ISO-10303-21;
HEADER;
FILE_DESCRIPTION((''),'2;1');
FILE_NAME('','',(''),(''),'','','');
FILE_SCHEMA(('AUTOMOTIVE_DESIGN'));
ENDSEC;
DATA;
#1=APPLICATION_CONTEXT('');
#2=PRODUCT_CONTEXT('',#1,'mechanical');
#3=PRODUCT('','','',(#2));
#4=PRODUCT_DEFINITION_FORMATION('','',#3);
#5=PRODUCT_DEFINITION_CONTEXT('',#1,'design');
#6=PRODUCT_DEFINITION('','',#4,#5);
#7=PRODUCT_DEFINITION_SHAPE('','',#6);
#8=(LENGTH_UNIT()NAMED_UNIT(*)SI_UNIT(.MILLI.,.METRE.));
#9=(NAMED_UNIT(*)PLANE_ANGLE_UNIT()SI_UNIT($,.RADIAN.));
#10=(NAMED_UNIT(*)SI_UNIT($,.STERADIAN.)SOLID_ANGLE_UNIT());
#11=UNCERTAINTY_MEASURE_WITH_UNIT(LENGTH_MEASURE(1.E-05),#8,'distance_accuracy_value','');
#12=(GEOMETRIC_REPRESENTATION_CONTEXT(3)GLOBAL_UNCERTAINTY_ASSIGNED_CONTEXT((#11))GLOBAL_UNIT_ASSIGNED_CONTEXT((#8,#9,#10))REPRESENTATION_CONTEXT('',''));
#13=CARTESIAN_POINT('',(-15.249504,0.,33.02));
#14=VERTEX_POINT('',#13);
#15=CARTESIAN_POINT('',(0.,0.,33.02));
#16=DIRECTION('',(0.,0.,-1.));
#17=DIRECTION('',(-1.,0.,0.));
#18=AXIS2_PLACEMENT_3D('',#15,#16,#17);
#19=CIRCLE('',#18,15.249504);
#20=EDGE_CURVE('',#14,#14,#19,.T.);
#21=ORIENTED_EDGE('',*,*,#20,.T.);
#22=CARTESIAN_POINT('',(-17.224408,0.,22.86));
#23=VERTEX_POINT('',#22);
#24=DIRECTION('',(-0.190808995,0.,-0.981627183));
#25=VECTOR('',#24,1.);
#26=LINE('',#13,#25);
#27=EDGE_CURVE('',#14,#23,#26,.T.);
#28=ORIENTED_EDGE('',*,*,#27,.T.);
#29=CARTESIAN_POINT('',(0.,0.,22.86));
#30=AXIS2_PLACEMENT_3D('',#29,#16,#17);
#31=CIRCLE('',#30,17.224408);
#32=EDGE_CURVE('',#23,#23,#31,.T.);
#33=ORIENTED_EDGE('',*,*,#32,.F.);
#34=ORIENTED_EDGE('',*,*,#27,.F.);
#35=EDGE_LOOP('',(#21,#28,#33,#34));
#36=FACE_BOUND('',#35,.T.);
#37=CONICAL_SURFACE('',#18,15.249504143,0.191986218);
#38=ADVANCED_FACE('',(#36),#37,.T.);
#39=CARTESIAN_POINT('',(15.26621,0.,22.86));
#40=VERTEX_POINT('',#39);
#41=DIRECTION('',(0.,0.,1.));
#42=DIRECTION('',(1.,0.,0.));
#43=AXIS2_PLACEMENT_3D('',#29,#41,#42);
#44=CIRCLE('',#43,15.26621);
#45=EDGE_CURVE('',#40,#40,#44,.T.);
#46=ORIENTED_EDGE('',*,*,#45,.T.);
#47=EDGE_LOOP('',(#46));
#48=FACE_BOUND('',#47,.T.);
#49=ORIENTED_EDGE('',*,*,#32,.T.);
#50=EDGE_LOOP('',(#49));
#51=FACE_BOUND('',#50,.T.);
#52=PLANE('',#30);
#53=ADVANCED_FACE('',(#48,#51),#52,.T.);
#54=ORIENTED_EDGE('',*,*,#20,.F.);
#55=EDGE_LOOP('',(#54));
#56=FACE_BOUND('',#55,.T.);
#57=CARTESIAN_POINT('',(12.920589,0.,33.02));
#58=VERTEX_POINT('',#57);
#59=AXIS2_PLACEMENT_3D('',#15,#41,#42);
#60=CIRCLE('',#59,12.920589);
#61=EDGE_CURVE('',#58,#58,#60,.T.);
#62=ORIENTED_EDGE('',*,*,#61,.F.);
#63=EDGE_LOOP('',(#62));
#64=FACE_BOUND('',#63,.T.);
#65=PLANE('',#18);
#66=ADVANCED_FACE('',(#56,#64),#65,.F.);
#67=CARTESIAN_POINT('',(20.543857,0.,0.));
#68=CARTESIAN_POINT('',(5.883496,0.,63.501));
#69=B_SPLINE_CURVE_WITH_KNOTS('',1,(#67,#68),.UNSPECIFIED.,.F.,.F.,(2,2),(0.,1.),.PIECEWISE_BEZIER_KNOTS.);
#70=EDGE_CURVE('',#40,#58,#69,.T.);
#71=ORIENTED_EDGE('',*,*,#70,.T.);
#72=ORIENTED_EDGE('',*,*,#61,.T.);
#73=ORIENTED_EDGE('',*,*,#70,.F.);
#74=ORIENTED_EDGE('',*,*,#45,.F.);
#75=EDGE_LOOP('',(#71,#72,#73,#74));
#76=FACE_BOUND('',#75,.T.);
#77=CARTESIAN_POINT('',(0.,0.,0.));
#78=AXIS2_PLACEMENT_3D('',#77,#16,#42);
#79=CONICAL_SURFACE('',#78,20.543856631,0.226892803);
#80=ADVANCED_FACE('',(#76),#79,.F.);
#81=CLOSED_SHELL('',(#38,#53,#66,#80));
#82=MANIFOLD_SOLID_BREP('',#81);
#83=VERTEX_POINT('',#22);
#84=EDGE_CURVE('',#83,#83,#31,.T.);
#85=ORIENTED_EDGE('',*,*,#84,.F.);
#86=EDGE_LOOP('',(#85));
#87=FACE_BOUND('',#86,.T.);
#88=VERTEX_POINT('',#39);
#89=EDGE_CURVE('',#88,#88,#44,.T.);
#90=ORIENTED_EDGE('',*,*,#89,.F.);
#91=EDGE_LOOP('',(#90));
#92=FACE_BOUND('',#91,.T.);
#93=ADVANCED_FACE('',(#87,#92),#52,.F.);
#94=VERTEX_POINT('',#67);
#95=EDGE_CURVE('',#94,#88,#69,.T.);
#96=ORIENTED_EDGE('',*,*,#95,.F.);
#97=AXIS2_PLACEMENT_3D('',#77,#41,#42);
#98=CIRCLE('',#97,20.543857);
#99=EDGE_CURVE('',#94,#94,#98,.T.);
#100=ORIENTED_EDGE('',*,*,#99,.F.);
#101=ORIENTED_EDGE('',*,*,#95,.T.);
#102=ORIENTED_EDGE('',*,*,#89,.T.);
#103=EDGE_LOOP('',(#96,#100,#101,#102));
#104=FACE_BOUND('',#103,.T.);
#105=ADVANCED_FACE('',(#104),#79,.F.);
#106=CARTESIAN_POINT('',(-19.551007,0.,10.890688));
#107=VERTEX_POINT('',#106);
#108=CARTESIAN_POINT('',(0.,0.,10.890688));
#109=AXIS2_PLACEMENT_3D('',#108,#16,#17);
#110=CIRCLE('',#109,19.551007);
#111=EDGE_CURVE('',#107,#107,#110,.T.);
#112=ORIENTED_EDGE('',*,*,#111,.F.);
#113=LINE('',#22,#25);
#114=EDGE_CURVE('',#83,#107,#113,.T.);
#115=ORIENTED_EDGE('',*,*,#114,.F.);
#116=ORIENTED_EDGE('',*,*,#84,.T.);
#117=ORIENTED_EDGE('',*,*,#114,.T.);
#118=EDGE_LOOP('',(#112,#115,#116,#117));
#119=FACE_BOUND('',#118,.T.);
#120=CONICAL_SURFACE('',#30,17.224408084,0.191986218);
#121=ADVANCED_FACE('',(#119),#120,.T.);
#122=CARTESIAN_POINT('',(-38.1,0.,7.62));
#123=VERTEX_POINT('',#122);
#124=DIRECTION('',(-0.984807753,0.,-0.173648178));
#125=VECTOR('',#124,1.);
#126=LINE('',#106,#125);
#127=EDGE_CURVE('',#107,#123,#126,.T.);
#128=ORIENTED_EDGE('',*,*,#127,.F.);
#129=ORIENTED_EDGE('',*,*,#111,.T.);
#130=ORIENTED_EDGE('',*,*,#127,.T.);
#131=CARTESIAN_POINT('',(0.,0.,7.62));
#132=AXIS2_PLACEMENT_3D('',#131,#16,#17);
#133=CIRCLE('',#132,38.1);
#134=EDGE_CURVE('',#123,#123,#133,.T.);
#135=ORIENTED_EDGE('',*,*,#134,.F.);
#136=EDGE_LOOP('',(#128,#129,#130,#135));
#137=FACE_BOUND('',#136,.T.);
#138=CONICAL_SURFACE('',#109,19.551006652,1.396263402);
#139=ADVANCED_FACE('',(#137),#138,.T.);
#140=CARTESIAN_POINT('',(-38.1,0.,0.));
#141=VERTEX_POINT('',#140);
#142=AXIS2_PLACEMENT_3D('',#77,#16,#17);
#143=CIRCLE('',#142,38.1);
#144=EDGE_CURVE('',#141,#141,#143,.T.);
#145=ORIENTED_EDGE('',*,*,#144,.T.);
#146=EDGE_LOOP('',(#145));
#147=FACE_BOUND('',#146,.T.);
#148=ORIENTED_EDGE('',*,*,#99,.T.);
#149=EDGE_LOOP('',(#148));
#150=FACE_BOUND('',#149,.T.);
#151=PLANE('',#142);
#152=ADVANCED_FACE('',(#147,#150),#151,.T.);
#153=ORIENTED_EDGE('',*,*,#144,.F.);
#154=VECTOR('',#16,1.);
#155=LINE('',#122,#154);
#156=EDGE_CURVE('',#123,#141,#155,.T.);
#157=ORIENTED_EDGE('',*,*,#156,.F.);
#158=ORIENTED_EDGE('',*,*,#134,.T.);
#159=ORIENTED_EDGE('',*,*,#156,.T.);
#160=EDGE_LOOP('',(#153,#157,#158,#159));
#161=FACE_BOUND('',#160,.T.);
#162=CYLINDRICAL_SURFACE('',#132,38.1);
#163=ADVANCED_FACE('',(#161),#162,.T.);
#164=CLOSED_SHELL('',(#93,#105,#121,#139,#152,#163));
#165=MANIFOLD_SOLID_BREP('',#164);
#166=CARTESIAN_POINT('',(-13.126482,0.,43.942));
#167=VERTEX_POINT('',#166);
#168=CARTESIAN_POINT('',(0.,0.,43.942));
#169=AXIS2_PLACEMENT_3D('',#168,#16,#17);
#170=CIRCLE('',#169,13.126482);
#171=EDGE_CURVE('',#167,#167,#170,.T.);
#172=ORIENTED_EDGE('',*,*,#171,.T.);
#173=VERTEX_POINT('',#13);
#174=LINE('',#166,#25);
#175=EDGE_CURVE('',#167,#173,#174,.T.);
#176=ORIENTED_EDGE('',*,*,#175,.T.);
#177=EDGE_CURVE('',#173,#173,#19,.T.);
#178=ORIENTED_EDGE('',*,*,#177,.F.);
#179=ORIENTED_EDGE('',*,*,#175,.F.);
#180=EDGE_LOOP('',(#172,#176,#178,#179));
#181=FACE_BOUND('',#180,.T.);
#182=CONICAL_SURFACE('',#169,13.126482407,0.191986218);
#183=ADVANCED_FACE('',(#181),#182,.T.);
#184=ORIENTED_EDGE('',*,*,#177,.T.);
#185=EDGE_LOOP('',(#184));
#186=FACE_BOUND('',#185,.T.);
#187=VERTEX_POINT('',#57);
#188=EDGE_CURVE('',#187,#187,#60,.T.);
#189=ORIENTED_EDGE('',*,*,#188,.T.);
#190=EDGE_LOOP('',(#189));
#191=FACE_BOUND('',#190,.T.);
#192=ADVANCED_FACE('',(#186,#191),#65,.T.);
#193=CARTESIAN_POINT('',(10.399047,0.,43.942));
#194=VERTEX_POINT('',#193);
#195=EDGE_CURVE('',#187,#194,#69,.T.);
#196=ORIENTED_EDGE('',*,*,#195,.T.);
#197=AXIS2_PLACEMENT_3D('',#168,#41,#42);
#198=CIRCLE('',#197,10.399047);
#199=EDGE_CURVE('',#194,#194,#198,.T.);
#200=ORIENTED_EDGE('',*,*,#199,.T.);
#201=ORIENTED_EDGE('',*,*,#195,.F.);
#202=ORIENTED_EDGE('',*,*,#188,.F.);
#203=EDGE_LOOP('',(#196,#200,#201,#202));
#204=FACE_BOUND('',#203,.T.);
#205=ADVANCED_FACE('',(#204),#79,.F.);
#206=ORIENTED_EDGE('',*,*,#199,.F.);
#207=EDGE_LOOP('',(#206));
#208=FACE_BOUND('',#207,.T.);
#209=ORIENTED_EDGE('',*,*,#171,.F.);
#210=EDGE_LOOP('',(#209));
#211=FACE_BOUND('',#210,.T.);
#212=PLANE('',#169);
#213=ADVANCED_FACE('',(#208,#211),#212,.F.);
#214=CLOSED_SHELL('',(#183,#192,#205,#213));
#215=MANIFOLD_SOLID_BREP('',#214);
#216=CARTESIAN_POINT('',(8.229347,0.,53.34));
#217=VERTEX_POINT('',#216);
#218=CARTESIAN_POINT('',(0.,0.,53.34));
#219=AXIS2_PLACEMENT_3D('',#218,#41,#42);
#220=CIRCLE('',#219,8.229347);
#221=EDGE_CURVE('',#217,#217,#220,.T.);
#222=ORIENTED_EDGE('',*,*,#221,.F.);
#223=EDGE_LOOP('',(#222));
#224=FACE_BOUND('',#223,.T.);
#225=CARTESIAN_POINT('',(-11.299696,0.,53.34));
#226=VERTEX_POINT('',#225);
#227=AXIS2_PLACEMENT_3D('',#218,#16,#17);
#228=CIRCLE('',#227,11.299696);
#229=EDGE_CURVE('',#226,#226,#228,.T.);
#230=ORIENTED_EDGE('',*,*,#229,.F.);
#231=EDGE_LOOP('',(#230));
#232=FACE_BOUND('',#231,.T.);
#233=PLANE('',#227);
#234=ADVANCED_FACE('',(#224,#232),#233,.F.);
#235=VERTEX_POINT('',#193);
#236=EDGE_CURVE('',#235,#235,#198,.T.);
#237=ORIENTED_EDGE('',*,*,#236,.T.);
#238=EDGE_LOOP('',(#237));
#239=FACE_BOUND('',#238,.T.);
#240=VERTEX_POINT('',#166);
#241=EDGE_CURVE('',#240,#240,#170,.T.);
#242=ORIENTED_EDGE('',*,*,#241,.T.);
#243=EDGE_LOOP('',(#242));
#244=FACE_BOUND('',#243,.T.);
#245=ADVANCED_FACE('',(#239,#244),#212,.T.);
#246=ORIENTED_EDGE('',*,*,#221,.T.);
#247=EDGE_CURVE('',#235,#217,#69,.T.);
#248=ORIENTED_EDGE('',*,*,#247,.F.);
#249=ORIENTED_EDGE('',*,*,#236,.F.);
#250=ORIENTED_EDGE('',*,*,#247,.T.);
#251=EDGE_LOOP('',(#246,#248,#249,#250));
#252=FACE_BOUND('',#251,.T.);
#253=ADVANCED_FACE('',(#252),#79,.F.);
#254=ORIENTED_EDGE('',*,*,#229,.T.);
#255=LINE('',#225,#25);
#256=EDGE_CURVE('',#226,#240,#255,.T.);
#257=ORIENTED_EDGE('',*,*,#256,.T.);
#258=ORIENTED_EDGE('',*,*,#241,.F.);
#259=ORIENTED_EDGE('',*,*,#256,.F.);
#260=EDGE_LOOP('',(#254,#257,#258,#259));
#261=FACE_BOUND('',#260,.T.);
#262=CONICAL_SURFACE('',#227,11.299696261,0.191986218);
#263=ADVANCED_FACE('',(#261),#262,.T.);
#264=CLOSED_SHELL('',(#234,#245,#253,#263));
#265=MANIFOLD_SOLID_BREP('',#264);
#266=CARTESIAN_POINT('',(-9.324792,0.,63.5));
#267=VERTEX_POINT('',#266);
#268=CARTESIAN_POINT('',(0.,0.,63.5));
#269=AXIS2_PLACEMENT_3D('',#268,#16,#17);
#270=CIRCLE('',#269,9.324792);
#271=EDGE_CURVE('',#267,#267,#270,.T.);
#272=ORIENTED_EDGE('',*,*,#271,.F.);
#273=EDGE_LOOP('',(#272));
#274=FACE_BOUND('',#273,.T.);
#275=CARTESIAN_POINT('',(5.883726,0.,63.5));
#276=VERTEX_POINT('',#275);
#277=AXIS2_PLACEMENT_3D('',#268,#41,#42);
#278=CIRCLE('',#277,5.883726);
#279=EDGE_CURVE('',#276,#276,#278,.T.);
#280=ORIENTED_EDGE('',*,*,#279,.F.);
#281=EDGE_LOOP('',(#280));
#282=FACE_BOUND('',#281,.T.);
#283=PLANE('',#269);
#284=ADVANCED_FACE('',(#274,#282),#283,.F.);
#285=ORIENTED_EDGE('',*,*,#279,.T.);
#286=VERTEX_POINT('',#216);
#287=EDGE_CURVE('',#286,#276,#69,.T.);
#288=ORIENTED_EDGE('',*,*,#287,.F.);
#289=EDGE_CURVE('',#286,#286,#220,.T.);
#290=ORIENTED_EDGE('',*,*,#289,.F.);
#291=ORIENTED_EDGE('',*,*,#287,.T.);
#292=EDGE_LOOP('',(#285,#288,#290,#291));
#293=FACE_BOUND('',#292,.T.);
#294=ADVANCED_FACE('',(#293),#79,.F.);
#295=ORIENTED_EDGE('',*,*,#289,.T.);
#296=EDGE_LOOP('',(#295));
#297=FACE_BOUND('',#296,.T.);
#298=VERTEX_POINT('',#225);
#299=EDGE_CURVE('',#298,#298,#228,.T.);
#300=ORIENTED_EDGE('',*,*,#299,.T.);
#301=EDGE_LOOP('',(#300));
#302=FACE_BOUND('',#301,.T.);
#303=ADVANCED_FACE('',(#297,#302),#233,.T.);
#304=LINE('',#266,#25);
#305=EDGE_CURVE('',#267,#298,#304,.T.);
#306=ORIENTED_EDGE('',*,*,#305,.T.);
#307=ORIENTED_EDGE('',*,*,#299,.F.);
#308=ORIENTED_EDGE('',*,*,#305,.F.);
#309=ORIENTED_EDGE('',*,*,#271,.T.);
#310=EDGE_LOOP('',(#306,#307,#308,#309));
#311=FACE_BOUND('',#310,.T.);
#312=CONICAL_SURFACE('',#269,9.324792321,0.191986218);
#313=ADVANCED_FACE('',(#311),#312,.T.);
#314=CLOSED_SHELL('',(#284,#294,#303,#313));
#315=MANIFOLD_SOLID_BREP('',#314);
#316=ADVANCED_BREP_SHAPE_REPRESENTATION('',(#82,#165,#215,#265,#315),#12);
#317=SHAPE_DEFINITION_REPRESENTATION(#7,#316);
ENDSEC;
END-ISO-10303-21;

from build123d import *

# Parameters (mm, degrees)
F6_R     = 20.5438566313
F7_DEPTH = 63.501
F7_TAPER = 13


with BuildPart() as f1:
    # F0 (on Front) → F1 (revolve)
    with BuildSketch(Plane.XZ):
        Polygon((-11.2996962615, 53.34), (0, 53.34), (0, 63.5), (-9.3247923207, 63.5), align=None)
    revolve(axis=Axis((0, 0, 31.75), (0, 0, -1)))


with BuildPart() as f2:
    # F0 (on Front) → F2 (revolve)
    with BuildSketch(Plane.XZ):
        Polygon((-13.1264824068, 43.942), (0, 43.942), (0, 53.34), (-11.2996962615, 53.34), align=None)
    revolve(axis=Axis((0, 0, 31.75), (0, 0, -1)))


with BuildPart() as f3:
    # F0 (on Front) → F3 (revolve)
    with BuildSketch(Plane.XZ):
        Polygon((-15.2495041432, 33.02), (0, 33.02), (0, 43.942), (-13.1264824068, 43.942), align=None)
    revolve(axis=Axis((0, 0, 31.75), (0, 0, -1)))


with BuildPart() as f4:
    # F0 (on Front) → F4 (revolve)
    with BuildSketch(Plane.XZ):
        Polygon((-17.224408084, 22.86), (0, 22.86), (0, 33.02), (-15.2495041432, 33.02), align=None)
    revolve(axis=Axis((0, 0, 31.75), (0, 0, -1)))


with BuildPart() as f5:
    # F0 (on Front) → F5 (revolve)
    with BuildSketch(Plane.XZ):
        Polygon((-38.1, 7.62), (-38.1, 0), (0, 0), (0, 22.86), (-17.224408084, 22.86), (-19.5510066523, 10.8906879922), align=None)
    revolve(axis=Axis((0, 0, 31.75), (0, 0, -1)))


with BuildPart() as f7_tool:
    # F6 (on face) → F7 (new body, through all)
    with BuildSketch(Plane(origin=(0, 0, 0), x_dir=(1, 0, 0), z_dir=(0, 0, -1))):
        Circle(F6_R)
    extrude(amount=-F7_DEPTH, taper=F7_TAPER)


with BuildPart() as f1_1:
    add(f1.part)

    # F7: cut by f7_tool
    add(f7_tool.part, mode=Mode.SUBTRACT)


with BuildPart() as f2_1:
    add(f2.part)

    # F7: cut by f7_tool
    add(f7_tool.part, mode=Mode.SUBTRACT)


with BuildPart() as f3_1:
    add(f3.part)

    # F7: cut by f7_tool
    add(f7_tool.part, mode=Mode.SUBTRACT)


with BuildPart() as f4_1:
    add(f4.part)

    # F7: cut by f7_tool
    add(f7_tool.part, mode=Mode.SUBTRACT)


with BuildPart() as f5_1:
    add(f5.part)

    # F7: cut by f7_tool
    add(f7_tool.part, mode=Mode.SUBTRACT)


solid = Compound([f1_1.part, f2_1.part, f3_1.part, f4_1.part, f5_1.part])
